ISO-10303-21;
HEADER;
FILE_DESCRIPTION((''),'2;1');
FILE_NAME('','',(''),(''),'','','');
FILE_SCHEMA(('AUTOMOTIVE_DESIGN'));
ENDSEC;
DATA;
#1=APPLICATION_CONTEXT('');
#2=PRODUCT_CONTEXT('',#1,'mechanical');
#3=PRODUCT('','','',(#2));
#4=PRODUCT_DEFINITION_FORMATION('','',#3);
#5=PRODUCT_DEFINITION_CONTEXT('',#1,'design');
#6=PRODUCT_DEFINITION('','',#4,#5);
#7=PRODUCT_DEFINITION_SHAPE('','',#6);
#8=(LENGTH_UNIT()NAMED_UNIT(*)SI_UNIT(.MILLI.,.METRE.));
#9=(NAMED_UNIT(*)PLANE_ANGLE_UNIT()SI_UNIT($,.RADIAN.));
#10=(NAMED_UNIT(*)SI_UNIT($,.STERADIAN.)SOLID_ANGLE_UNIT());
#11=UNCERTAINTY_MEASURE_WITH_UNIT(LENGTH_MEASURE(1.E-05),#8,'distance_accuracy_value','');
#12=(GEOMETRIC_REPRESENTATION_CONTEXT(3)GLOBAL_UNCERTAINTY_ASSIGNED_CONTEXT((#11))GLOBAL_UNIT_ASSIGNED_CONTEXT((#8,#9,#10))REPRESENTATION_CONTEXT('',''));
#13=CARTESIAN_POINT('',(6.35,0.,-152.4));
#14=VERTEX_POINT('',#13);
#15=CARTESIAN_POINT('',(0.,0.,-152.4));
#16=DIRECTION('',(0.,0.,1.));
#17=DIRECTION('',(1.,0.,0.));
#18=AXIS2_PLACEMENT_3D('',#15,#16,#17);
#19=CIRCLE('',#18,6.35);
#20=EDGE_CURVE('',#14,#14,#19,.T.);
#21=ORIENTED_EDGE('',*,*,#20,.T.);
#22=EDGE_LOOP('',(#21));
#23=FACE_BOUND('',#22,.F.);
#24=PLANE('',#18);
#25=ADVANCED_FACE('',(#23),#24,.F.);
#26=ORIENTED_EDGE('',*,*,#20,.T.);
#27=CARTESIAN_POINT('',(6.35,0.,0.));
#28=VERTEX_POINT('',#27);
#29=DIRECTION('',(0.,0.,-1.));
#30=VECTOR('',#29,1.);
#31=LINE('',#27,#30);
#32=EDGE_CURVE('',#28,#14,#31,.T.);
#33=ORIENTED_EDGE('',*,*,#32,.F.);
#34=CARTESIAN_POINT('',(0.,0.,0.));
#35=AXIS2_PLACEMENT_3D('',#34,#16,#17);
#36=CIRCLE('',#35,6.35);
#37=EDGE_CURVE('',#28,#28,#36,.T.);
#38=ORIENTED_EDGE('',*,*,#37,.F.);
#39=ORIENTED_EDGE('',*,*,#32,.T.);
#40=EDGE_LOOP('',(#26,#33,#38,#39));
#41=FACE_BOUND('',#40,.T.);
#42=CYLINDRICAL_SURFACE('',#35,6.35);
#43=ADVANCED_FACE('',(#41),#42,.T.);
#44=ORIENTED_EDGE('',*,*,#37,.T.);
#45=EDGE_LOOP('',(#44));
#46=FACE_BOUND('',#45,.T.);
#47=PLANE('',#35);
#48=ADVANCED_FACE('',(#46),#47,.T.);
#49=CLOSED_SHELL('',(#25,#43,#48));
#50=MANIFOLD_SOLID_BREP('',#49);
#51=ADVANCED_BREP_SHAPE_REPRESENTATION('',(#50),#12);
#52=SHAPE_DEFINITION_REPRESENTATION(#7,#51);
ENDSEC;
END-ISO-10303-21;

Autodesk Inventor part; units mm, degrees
ref_plane "YZ Plane" through (0, 0, 0) normal (1, 0, 0) x (0, 1, 0)
ref_plane "XZ Plane" through (0, 0, 0) normal (0, 1, 0) x (-1, 0, 0)
ref_plane "XY Plane" through (0, 0, 0) normal (0, 0, 1) x (1, 0, 0)
sketch "Sketch1" plane through (0, 0, 0) normal (0, 0, 1) x (1, 0, 0)
  circle A0 centre (0, 0) radius 6.35
  dimension "d0" = 12.7
  dimension "d0" = 12.7
extrude "Extrusion1" add sketch "Sketch1" against normal blind 152.4
properties part number "wheelaxle"
